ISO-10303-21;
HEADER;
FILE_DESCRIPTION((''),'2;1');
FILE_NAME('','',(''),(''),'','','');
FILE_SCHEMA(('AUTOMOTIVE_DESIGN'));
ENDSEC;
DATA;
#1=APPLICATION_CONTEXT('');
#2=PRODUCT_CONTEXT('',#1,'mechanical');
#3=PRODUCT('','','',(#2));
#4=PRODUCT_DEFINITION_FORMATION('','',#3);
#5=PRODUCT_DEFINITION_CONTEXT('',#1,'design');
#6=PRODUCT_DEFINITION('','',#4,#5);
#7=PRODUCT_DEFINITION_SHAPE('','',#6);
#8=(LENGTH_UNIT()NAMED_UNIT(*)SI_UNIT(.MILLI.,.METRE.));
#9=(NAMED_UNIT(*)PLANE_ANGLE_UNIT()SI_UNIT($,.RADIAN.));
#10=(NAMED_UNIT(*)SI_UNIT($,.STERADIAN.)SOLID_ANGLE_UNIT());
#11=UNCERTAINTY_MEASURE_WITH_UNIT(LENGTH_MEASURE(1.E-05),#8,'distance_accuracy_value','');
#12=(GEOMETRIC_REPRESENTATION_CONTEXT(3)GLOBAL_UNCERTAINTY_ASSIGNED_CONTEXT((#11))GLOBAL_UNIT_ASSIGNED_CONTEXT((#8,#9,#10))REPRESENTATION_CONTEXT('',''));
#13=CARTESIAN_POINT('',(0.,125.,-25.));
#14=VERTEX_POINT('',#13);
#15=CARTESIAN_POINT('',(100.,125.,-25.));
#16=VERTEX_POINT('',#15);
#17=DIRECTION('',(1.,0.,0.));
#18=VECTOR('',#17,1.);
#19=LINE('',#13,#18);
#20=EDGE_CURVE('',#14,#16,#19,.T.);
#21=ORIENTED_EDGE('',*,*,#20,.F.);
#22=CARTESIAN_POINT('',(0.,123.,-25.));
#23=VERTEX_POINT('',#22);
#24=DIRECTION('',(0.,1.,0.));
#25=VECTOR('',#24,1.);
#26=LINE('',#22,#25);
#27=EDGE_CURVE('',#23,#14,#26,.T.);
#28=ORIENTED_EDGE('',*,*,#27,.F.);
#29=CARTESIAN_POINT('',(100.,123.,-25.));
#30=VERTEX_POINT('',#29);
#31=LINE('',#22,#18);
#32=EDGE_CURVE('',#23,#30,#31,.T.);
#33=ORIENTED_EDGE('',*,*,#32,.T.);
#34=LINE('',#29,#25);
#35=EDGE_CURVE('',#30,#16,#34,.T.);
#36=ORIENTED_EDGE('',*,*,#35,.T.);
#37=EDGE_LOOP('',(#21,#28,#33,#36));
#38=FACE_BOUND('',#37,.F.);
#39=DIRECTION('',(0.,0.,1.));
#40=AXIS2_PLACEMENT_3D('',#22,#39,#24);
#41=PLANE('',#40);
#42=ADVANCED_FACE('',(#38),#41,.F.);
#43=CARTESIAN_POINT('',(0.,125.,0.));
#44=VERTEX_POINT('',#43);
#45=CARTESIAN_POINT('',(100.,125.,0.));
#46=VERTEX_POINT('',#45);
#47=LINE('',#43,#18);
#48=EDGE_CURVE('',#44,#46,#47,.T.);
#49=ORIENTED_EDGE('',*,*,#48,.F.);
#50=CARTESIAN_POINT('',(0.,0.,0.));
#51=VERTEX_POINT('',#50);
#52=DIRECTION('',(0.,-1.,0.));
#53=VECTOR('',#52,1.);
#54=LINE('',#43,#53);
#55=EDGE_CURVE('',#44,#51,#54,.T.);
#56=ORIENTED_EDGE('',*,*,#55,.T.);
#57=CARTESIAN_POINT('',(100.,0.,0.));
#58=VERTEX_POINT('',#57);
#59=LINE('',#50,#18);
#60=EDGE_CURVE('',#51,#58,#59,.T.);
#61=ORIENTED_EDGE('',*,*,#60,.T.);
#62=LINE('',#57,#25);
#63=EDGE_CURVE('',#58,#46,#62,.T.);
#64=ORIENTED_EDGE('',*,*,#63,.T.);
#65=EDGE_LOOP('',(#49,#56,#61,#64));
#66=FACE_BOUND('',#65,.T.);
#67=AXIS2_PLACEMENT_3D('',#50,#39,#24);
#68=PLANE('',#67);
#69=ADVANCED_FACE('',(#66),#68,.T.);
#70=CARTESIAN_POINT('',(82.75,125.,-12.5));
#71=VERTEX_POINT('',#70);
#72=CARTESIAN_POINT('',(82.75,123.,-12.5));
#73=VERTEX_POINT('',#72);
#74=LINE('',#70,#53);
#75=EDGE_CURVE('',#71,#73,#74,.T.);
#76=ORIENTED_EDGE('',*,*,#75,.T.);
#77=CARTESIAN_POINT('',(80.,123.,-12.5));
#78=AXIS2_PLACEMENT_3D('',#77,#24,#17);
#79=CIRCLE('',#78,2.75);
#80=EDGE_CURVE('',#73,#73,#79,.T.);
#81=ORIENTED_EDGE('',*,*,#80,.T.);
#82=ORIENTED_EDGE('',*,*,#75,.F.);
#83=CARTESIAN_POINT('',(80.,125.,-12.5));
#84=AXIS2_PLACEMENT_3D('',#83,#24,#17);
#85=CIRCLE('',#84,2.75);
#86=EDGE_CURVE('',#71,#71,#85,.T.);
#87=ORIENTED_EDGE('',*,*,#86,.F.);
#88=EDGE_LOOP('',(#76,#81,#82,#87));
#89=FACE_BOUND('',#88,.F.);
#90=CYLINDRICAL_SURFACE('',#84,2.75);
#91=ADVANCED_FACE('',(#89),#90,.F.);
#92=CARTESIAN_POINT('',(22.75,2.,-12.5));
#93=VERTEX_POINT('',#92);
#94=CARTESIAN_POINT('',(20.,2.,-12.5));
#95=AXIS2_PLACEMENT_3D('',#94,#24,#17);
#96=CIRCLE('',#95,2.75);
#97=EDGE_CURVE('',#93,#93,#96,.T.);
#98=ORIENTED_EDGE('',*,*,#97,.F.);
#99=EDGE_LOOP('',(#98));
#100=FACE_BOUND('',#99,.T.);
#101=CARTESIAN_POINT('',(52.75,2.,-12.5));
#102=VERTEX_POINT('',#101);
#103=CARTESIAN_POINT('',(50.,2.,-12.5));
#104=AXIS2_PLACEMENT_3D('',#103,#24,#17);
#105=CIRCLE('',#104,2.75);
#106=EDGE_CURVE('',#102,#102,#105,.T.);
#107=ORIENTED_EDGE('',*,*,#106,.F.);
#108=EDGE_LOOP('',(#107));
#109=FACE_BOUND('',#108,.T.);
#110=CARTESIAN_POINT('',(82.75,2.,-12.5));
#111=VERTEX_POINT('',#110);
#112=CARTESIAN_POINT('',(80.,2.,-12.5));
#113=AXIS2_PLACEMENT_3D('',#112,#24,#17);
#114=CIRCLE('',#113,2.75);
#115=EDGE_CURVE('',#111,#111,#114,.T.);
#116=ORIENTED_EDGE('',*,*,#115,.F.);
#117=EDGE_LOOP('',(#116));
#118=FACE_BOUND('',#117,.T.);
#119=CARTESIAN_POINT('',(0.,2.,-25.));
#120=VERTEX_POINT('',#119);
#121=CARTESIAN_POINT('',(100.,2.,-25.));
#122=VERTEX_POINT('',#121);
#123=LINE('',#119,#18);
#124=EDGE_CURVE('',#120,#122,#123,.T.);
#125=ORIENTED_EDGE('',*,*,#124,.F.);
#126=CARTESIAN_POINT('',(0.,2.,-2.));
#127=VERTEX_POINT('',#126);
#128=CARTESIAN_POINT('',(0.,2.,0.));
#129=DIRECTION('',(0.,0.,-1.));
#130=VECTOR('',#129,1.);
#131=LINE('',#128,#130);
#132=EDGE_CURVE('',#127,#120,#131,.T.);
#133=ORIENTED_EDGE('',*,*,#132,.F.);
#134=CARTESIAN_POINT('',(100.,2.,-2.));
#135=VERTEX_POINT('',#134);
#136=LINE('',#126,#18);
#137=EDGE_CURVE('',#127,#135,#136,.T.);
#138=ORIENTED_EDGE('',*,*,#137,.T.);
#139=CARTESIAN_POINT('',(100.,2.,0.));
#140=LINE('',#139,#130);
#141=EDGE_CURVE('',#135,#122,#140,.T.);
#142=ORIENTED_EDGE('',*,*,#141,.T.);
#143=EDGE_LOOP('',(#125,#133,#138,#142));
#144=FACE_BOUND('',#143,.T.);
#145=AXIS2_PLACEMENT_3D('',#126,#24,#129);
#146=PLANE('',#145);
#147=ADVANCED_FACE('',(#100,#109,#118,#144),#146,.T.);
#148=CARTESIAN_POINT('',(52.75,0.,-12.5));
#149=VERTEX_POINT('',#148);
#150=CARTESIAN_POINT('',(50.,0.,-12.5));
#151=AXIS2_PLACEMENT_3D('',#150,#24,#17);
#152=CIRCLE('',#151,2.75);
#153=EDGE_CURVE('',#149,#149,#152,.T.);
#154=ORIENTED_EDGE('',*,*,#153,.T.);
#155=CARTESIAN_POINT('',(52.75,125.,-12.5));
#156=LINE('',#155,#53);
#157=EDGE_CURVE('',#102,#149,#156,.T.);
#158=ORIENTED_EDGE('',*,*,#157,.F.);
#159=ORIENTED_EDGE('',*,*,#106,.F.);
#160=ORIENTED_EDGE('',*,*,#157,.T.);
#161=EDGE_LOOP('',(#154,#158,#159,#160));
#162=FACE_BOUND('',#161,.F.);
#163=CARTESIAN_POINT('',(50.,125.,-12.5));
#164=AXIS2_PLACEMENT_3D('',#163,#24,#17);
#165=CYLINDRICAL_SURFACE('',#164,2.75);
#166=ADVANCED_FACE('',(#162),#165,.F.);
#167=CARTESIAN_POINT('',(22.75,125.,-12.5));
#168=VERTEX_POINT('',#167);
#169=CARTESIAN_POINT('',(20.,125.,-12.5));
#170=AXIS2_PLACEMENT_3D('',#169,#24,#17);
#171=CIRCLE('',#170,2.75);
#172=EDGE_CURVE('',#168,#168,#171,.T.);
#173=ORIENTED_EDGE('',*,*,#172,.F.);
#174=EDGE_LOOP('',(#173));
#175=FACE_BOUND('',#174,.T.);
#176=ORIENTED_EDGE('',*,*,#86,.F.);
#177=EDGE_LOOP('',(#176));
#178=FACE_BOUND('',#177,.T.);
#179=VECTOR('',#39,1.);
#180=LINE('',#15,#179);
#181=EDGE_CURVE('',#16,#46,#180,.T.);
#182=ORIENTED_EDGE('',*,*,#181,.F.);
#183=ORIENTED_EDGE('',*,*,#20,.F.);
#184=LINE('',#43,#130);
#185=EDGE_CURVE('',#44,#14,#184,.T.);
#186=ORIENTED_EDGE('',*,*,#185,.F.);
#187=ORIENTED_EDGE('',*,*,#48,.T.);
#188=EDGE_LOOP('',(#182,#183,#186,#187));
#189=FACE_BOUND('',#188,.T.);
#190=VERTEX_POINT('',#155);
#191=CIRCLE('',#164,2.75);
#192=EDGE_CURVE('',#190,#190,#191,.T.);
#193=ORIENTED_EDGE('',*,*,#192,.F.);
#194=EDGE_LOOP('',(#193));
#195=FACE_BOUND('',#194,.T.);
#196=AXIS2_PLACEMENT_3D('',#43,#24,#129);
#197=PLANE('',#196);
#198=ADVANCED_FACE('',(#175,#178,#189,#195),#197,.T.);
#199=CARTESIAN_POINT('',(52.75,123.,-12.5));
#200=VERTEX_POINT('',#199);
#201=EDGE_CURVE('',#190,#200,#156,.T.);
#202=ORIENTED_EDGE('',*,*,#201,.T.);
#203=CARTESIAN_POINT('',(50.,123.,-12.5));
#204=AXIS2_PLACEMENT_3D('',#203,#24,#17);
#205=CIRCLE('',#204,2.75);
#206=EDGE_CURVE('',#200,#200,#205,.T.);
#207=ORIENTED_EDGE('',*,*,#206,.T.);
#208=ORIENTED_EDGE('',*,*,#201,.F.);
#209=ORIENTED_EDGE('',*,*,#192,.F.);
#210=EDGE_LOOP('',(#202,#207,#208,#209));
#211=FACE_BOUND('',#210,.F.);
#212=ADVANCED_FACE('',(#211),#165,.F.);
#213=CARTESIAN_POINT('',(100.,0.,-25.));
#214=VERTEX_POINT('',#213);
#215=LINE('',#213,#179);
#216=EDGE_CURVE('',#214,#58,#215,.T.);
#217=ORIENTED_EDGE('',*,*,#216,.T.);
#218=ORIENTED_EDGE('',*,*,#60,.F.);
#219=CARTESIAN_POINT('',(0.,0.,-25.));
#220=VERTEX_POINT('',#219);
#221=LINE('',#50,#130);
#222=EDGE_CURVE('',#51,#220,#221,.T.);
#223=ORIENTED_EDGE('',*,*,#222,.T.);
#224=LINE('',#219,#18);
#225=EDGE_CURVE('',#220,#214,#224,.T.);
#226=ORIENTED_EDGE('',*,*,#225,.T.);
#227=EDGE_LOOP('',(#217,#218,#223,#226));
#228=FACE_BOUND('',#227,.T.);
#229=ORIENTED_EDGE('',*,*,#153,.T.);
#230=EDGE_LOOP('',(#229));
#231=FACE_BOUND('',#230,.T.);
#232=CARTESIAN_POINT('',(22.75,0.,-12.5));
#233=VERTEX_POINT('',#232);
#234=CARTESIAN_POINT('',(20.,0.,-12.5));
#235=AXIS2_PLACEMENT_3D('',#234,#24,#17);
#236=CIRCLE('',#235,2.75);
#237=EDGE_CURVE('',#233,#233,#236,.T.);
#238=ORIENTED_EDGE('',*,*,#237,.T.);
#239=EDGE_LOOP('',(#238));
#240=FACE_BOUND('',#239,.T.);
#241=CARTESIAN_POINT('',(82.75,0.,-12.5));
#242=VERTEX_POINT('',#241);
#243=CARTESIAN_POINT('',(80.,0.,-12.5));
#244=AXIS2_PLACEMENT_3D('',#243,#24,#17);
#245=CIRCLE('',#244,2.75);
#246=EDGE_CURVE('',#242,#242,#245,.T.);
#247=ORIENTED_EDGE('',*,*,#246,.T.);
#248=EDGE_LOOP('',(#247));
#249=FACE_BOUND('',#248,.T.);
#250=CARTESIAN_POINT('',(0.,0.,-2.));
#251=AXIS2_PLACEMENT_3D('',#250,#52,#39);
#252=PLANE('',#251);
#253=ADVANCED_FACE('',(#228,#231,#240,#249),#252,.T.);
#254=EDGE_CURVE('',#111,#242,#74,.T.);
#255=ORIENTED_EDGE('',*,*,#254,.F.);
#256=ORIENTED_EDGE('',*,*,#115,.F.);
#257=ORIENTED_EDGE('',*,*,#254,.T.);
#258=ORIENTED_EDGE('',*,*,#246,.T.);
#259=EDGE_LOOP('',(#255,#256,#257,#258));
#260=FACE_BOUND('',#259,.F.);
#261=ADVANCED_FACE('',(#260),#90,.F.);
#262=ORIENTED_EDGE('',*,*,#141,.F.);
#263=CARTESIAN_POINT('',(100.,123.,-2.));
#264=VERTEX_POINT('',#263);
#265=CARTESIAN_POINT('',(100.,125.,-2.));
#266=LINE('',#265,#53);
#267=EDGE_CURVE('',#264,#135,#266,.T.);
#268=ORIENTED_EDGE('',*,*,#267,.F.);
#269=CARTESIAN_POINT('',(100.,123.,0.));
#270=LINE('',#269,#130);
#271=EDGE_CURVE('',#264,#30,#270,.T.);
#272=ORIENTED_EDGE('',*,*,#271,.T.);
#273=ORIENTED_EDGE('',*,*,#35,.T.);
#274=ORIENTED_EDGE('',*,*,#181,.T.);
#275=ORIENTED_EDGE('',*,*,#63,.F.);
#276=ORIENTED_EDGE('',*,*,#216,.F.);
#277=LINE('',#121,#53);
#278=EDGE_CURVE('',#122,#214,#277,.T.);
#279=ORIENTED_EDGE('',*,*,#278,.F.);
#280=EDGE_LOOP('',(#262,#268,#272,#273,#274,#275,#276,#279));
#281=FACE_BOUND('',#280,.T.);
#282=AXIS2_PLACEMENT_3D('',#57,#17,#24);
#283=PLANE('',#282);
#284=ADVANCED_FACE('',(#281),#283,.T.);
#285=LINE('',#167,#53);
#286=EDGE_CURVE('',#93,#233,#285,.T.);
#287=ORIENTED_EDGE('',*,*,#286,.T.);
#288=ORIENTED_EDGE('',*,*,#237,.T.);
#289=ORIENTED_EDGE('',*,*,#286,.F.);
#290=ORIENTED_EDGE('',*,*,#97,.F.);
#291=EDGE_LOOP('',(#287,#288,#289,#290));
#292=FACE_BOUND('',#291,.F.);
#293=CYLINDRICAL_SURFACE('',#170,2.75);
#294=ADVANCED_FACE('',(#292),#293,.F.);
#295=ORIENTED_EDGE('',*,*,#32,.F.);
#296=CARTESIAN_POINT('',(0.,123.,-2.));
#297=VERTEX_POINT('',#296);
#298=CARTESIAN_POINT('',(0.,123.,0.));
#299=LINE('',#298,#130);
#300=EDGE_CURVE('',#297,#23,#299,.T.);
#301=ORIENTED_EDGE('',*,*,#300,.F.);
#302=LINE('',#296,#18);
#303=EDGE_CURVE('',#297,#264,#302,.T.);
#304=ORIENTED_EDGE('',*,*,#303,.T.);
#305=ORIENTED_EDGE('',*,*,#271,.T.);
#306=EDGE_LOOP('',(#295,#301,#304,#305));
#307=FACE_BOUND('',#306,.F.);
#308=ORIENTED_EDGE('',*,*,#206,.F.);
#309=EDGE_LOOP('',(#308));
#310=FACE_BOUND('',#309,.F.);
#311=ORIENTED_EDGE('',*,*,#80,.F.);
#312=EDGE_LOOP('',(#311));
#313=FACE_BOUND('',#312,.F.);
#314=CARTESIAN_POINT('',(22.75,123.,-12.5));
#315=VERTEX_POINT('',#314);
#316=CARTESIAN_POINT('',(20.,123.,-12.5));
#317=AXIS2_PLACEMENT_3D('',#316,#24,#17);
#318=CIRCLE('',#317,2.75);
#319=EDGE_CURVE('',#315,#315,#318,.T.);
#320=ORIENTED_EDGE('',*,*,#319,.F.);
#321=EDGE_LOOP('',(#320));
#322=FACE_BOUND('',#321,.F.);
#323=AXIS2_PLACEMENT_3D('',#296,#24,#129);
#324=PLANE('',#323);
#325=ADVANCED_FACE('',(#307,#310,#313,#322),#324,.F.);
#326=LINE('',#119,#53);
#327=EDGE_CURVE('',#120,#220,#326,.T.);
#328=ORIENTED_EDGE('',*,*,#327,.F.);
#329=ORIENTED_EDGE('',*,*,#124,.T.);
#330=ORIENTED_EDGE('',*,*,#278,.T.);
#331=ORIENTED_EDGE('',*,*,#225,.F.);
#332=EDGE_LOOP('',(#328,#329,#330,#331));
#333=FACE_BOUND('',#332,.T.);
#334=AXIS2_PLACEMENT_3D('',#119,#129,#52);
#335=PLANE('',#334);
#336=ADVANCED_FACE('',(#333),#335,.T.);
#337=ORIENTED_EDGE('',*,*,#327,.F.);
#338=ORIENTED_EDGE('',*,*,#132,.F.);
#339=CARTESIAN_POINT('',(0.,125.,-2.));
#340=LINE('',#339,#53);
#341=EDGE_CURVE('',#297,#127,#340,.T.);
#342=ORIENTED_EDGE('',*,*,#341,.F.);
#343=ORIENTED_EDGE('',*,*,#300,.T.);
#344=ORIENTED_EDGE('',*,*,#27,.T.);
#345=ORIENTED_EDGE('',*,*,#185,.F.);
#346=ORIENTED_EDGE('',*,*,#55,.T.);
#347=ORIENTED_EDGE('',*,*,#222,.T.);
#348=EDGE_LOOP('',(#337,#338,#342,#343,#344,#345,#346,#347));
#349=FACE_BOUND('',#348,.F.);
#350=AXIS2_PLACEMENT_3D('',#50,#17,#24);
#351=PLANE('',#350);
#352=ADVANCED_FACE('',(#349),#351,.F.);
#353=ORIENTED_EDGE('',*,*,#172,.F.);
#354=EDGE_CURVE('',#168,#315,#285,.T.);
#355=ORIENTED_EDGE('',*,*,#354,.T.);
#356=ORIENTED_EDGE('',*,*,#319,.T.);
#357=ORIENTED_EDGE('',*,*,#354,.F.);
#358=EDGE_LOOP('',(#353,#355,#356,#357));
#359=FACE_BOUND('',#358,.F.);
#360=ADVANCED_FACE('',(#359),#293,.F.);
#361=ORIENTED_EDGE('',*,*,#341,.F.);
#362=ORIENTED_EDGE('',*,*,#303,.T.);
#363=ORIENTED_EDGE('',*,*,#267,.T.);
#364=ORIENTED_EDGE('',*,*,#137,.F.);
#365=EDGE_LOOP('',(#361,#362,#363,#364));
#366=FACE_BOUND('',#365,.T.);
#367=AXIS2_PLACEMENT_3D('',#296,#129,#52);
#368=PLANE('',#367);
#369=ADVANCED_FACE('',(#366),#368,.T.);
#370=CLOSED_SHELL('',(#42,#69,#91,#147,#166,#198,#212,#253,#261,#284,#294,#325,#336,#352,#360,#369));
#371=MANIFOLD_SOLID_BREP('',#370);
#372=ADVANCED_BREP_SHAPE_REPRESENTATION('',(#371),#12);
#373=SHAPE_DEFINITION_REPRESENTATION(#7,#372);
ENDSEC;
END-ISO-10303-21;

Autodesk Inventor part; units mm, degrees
ref_plane "YZ Plane" through (0, 0, 0) normal (1, 0, 0) x (0, 1, 0)
ref_plane "XZ Plane" through (0, 0, 0) normal (0, 1, 0) x (-1, 0, 0)
ref_plane "XY Plane" through (0, 0, 0) normal (0, 0, 1) x (1, 0, 0)
sketch "Sketch1" plane through (0, 0, 0) normal (1, 0, 0) x (0, 1, 0)
  line L0 (0, 0) -> (125, 0)
  line L1 (125, 0) -> (125, -2)
  line L2 (125, -2) -> (0, -2)
  line L3 (0, -2) -> (0, 0)
  line L4 (125, 0) -> (123, 0)
  line L5 (123, 0) -> (123, -25)
  line L6 (123, -25) -> (125, -25)
  line L7 (125, -25) -> (125, 0)
  line L8 (0, 0) -> (2, 0)
  line L9 (2, 0) -> (2, -25)
  line L10 (2, -25) -> (0, -25)
  line L11 (0, -25) -> (0, 0)
  dimension "d0" = 125
  dimension "d1" = 2
  dimension "d2" = 2
  dimension "d3" = 25
  dimension "d4" = 2
  dimension "d5" = 25
extrude "Extrusion1" add sketch "Sketch1" along normal blind 100
sketch "Sketch2" plane through (0, 125, 0) normal (0, 1, 0) x (1, 0, 0)
  circle A0 centre (20, 12.5) radius 2.75
  circle A1 centre (50, 12.5) radius 2.75
  circle A2 centre (80, 12.5) radius 2.75
  line L0 (100, 25) -> (100, 0) projected
  line L1 (0, 25) -> (0, 0) projected
  line L2 (0, 25) -> (100, 25) projected
  dimension "d8" = 5.5
  dimension "d9" = 5.5
  dimension "d10" = 5.5
  dimension "d11" = 20
  dimension "d12" = 20
  dimension "d13" = 50
  dimension "d14" = 12.5
  dimension "d15" = 12.5
  dimension "d16" = 12.5
extrude "Extrusion2" cut sketch "Sketch2" against normal blind 125
properties part number "Vertical Plate Support" material "Aluminum 6061"
